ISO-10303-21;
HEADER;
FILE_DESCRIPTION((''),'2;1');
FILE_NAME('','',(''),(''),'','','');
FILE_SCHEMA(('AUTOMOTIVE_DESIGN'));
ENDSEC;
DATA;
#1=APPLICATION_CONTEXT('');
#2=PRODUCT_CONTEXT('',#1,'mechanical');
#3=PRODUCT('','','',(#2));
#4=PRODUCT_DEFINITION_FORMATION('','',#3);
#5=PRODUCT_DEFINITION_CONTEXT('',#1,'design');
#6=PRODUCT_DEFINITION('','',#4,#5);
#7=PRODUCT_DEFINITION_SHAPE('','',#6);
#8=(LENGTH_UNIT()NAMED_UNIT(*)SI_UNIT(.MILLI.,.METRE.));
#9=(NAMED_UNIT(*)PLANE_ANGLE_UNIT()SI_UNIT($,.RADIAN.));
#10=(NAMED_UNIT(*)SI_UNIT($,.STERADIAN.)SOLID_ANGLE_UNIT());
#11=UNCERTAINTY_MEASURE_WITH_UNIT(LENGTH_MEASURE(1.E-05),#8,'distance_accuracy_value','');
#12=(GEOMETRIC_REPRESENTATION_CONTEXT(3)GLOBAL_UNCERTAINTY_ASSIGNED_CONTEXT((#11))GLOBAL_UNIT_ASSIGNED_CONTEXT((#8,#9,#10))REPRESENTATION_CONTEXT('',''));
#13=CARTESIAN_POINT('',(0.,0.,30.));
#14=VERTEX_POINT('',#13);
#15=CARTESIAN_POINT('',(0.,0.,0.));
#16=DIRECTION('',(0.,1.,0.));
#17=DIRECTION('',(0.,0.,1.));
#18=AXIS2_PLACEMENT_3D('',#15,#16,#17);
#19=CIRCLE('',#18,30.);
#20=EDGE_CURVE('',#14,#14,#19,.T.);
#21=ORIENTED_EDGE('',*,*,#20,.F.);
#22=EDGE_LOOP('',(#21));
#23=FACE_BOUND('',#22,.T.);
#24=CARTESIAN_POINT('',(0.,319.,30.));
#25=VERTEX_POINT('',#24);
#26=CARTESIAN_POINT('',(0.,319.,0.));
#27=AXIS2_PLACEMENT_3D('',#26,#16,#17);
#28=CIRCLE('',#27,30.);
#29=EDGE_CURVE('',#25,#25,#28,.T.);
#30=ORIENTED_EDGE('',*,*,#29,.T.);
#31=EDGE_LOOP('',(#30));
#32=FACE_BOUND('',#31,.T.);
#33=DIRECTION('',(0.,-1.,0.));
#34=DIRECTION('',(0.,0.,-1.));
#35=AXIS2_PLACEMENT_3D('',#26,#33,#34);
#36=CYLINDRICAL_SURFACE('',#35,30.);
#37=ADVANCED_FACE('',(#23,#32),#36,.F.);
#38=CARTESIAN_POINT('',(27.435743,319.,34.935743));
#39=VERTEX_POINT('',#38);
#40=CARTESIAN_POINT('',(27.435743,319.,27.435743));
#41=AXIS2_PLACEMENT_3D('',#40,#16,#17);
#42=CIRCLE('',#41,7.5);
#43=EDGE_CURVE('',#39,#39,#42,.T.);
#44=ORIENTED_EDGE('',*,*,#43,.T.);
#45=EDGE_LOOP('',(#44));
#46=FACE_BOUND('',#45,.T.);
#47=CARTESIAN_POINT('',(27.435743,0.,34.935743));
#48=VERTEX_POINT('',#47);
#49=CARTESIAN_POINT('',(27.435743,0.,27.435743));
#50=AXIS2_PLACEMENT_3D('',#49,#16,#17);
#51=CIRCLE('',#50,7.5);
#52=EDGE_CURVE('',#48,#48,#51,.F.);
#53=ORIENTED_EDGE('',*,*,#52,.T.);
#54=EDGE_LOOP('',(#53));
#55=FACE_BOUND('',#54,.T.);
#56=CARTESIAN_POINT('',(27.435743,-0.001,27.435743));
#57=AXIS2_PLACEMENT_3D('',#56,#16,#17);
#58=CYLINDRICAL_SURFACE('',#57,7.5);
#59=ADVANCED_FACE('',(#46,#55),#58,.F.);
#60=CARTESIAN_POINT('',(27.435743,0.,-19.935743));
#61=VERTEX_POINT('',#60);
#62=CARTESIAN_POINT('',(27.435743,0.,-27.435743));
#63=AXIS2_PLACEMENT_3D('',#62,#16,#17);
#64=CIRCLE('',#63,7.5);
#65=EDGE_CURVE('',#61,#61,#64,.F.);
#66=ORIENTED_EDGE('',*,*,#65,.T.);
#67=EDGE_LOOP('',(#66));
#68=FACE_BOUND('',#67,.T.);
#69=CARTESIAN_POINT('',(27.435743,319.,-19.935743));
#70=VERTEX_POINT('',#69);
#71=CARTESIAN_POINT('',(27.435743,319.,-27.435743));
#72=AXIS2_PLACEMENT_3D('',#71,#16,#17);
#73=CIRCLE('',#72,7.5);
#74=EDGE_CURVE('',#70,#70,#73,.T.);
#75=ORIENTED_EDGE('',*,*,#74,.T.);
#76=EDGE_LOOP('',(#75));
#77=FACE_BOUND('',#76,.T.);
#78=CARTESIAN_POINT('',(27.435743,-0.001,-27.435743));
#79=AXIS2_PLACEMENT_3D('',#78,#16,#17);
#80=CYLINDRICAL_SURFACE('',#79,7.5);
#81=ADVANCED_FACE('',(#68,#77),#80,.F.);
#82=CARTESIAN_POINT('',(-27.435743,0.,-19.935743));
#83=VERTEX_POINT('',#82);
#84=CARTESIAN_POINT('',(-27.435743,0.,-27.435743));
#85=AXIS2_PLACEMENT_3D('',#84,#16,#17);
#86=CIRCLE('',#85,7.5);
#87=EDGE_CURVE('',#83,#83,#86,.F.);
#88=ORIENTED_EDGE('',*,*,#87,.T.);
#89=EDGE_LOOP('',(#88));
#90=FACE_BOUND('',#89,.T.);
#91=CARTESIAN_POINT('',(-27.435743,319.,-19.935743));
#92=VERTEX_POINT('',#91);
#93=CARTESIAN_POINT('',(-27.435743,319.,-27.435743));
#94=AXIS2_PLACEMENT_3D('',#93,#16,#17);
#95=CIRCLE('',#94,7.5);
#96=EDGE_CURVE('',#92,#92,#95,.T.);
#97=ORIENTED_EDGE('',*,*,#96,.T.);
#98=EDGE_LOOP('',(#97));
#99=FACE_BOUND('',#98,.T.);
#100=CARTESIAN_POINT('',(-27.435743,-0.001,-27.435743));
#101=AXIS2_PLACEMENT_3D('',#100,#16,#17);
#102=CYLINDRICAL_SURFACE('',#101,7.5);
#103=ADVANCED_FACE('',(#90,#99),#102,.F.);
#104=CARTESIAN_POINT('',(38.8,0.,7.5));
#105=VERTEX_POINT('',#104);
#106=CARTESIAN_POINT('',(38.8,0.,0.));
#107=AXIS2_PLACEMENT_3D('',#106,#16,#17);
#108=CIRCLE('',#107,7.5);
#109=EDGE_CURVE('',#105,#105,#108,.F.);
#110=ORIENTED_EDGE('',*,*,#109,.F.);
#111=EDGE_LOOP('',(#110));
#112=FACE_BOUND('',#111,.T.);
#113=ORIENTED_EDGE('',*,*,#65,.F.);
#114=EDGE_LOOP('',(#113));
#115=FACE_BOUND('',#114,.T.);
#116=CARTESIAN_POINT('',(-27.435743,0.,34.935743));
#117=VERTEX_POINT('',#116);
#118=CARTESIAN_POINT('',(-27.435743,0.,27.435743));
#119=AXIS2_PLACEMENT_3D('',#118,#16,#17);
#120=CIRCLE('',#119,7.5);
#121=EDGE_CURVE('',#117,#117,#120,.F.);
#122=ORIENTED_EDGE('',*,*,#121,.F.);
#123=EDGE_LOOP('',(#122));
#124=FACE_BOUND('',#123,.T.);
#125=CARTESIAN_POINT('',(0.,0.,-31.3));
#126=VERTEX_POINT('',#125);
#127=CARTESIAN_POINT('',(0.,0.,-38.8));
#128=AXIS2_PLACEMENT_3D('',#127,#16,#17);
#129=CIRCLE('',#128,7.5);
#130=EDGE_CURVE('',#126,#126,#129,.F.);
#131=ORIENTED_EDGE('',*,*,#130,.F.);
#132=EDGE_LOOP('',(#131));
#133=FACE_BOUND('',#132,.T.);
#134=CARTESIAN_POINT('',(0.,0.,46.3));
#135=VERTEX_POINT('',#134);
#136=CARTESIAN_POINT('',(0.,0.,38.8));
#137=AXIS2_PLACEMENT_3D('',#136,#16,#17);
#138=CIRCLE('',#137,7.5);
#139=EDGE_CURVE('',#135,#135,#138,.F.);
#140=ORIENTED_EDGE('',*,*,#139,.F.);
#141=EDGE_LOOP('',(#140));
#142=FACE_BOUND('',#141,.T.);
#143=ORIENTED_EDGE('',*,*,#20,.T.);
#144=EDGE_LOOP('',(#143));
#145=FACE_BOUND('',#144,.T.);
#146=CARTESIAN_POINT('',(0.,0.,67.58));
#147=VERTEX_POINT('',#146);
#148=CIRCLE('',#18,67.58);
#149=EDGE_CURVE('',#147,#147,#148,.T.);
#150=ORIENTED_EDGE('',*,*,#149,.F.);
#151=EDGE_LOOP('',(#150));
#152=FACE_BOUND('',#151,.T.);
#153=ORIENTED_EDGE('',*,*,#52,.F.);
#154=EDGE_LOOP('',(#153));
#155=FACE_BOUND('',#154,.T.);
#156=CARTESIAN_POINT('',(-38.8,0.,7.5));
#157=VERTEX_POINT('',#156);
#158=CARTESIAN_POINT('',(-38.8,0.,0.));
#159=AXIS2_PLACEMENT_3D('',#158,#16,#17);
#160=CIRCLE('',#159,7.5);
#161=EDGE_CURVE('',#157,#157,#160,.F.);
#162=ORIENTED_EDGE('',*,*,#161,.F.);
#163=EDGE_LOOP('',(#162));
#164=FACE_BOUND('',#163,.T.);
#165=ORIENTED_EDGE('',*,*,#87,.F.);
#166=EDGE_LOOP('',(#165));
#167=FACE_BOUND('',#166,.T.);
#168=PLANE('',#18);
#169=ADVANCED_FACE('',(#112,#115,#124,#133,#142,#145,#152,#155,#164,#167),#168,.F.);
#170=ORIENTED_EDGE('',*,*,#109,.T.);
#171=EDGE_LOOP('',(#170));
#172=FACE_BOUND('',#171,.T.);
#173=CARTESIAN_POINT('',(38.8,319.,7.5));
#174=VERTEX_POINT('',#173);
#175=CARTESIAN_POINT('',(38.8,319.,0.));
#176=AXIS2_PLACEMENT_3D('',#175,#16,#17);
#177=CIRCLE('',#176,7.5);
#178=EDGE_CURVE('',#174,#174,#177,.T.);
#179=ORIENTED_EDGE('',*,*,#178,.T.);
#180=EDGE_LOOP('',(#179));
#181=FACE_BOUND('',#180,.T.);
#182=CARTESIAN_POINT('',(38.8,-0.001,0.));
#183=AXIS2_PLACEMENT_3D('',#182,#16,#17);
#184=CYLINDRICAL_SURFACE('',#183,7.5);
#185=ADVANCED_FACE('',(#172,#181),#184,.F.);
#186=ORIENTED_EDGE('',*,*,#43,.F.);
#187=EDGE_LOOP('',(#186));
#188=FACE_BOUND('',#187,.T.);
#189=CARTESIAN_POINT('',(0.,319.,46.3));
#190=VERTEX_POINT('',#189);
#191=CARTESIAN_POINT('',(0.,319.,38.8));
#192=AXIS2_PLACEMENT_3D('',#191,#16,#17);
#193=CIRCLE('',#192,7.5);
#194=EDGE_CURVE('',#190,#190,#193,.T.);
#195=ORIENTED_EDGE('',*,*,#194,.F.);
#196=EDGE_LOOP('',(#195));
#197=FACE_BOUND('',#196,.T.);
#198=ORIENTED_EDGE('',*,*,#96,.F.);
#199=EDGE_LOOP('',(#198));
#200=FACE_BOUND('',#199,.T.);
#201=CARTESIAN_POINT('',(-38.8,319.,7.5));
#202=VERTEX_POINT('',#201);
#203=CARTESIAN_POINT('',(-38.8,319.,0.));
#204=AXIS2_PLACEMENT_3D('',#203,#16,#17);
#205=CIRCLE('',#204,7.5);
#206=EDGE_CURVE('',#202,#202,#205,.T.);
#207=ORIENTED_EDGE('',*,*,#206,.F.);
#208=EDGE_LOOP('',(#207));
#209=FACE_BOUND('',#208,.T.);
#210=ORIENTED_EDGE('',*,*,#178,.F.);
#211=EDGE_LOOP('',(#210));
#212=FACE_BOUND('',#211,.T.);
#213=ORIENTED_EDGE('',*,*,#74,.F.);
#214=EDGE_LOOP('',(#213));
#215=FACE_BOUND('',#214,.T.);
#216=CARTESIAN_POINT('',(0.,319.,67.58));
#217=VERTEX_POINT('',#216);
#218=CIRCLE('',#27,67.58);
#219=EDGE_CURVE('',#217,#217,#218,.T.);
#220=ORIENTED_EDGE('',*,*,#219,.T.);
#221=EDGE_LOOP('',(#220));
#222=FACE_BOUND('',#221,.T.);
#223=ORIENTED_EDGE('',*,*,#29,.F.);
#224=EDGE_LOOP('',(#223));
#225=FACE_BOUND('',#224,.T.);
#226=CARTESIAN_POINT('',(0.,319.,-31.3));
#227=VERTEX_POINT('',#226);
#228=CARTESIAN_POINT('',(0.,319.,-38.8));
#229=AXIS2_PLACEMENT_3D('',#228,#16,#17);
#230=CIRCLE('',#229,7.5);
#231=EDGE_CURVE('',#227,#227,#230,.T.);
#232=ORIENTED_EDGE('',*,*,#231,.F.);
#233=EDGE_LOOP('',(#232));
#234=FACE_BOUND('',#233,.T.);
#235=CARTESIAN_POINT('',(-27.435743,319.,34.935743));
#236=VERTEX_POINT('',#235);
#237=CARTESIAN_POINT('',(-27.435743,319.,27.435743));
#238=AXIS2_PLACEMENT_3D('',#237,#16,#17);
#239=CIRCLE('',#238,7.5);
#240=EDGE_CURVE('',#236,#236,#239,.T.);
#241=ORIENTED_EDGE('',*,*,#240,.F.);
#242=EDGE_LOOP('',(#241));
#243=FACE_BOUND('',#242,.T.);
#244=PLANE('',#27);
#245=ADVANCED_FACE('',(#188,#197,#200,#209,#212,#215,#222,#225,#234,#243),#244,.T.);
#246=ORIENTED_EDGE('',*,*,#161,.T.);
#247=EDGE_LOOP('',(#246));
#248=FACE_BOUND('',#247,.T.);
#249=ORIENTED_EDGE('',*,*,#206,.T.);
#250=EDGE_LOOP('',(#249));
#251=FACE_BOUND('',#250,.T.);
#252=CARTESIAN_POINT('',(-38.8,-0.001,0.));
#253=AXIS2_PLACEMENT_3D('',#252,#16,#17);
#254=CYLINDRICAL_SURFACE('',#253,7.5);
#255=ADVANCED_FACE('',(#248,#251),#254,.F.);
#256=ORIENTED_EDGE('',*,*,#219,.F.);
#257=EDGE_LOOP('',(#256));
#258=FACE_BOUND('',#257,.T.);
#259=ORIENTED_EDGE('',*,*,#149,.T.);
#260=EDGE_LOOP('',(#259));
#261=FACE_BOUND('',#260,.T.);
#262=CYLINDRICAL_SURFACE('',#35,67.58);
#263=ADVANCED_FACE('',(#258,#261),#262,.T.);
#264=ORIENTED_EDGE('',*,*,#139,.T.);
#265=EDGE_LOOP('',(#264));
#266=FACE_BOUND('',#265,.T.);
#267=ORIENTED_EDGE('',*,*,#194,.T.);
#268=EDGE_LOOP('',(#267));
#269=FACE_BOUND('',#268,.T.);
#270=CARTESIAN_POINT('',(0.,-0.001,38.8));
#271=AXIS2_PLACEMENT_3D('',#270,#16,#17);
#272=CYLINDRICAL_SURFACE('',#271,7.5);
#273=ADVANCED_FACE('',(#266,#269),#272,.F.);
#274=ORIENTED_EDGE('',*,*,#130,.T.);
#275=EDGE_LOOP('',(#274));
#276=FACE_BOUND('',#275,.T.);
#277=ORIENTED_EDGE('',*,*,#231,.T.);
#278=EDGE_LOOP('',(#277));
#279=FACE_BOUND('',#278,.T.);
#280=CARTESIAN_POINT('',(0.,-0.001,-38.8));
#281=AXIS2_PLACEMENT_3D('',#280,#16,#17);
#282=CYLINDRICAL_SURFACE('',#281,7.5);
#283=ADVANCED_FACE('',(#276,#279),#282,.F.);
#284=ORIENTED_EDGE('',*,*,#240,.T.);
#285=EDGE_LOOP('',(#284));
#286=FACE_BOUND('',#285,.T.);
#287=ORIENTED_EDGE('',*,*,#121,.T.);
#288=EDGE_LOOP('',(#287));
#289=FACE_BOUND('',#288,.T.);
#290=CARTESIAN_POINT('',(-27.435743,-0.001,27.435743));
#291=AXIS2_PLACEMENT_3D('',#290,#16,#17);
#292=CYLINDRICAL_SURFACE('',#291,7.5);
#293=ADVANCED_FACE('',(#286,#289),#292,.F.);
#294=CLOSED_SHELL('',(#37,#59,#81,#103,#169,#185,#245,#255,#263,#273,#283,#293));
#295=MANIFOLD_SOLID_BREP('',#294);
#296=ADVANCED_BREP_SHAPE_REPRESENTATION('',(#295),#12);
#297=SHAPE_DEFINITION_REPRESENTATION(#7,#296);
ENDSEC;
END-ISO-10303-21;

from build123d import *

# Parameters (mm, degrees)
SKETCH_1_R          = 67.58
SKETCH_1_R_2        = 30
EXTRUDE_1_DEPTH     = 319
CUT_EXTRUDE_1_REACH = 335.009
SKETCH_2_R          = 7.5


with BuildPart() as part:
    # 草图1 → 凸台-拉伸1 (new body)
    with BuildSketch(Plane(origin=(0, 0, 0), x_dir=(1, 0, 0), z_dir=(0, 1, 0))):
        with Locations(Location((0, 0, 0), (0, 0, 270))):
            Circle(SKETCH_1_R)
        with Locations(Location((0, 0, 0), (0, 0, 270))):
            Circle(SKETCH_1_R_2, mode=Mode.SUBTRACT)
    extrude(amount=EXTRUDE_1_DEPTH)

    # 草图2 → 切除-拉伸1 (cut, up to next)
    with BuildSketch(Plane(origin=(0, 319, 0), x_dir=(1, 0, 0), z_dir=(0, 1, 0)), mode=Mode.PRIVATE) as cut_extrude_1_sk1:
        with Locations(Location((-38.8, 0, 0), (0, 0, 270))):
            Circle(SKETCH_2_R)
    cut_extrude_1_tool1 = extrude(cut_extrude_1_sk1.sketch, amount=-CUT_EXTRUDE_1_REACH, mode=Mode.PRIVATE) & part.part
    # 草图2 → 切除-拉伸1 (cut, up to next)
    with BuildSketch(Plane(origin=(0, 319, 0), x_dir=(1, 0, 0), z_dir=(0, 1, 0)), mode=Mode.PRIVATE) as cut_extrude_1_sk2:
        with Locations(Location((-27.43574311, 27.43574311, 0), (0, 0, 270))):
            Circle(SKETCH_2_R)
    cut_extrude_1_tool2 = extrude(cut_extrude_1_sk2.sketch, amount=-CUT_EXTRUDE_1_REACH, mode=Mode.PRIVATE) & part.part
    # 草图2 → 切除-拉伸1 (cut, up to next)
    with BuildSketch(Plane(origin=(0, 319, 0), x_dir=(1, 0, 0), z_dir=(0, 1, 0)), mode=Mode.PRIVATE) as cut_extrude_1_sk3:
        with Locations(Location((0, 38.8, 0), (0, 0, 270))):
            Circle(SKETCH_2_R)
    cut_extrude_1_tool3 = extrude(cut_extrude_1_sk3.sketch, amount=-CUT_EXTRUDE_1_REACH, mode=Mode.PRIVATE) & part.part
    # 草图2 → 切除-拉伸1 (cut, up to next)
    with BuildSketch(Plane(origin=(0, 319, 0), x_dir=(1, 0, 0), z_dir=(0, 1, 0)), mode=Mode.PRIVATE) as cut_extrude_1_sk4:
        with Locations(Location((27.43574311, 27.43574311, 0), (0, 0, 270))):
            Circle(SKETCH_2_R)
    cut_extrude_1_tool4 = extrude(cut_extrude_1_sk4.sketch, amount=-CUT_EXTRUDE_1_REACH, mode=Mode.PRIVATE) & part.part
    # 草图2 → 切除-拉伸1 (cut, up to next)
    with BuildSketch(Plane(origin=(0, 319, 0), x_dir=(1, 0, 0), z_dir=(0, 1, 0)), mode=Mode.PRIVATE) as cut_extrude_1_sk5:
        with Locations(Location((38.8, 0, 0), (0, 0, 270))):
            Circle(SKETCH_2_R)
    cut_extrude_1_tool5 = extrude(cut_extrude_1_sk5.sketch, amount=-CUT_EXTRUDE_1_REACH, mode=Mode.PRIVATE) & part.part
    # 草图2 → 切除-拉伸1 (cut, up to next)
    with BuildSketch(Plane(origin=(0, 319, 0), x_dir=(1, 0, 0), z_dir=(0, 1, 0)), mode=Mode.PRIVATE) as cut_extrude_1_sk6:
        with Locations(Location((27.43574311, -27.43574311, 0), (0, 0, 270))):
            Circle(SKETCH_2_R)
    cut_extrude_1_tool6 = extrude(cut_extrude_1_sk6.sketch, amount=-CUT_EXTRUDE_1_REACH, mode=Mode.PRIVATE) & part.part
    # 草图2 → 切除-拉伸1 (cut, up to next)
    with BuildSketch(Plane(origin=(0, 319, 0), x_dir=(1, 0, 0), z_dir=(0, 1, 0)), mode=Mode.PRIVATE) as cut_extrude_1_sk7:
        with Locations(Location((0, -38.8, 0), (0, 0, 270))):
            Circle(SKETCH_2_R)
    cut_extrude_1_tool7 = extrude(cut_extrude_1_sk7.sketch, amount=-CUT_EXTRUDE_1_REACH, mode=Mode.PRIVATE) & part.part
    # 草图2 → 切除-拉伸1 (cut, up to next)
    with BuildSketch(Plane(origin=(0, 319, 0), x_dir=(1, 0, 0), z_dir=(0, 1, 0)), mode=Mode.PRIVATE) as cut_extrude_1_sk8:
        with Locations(Location((-27.43574311, -27.43574311, 0), (0, 0, 270))):
            Circle(SKETCH_2_R)
    cut_extrude_1_tool8 = extrude(cut_extrude_1_sk8.sketch, amount=-CUT_EXTRUDE_1_REACH, mode=Mode.PRIVATE) & part.part
    add(cut_extrude_1_tool1.solids().sort_by_distance((-38.8, 319, 0))[0], mode=Mode.SUBTRACT)
    add(cut_extrude_1_tool2.solids().sort_by_distance((-27.435743, 319, -27.435743))[0], mode=Mode.SUBTRACT)
    add(cut_extrude_1_tool3.solids().sort_by_distance((0, 319, -38.8))[0], mode=Mode.SUBTRACT)
    add(cut_extrude_1_tool4.solids().sort_by_distance((27.435743, 319, -27.435743))[0], mode=Mode.SUBTRACT)
    add(cut_extrude_1_tool5.solids().sort_by_distance((38.8, 319, 0))[0], mode=Mode.SUBTRACT)
    add(cut_extrude_1_tool6.solids().sort_by_distance((27.435743, 319, 27.435743))[0], mode=Mode.SUBTRACT)
    add(cut_extrude_1_tool7.solids().sort_by_distance((0, 319, 38.8))[0], mode=Mode.SUBTRACT)
    add(cut_extrude_1_tool8.solids().sort_by_distance((-27.435743, 319, 27.435743))[0], mode=Mode.SUBTRACT)


solid = part.part
